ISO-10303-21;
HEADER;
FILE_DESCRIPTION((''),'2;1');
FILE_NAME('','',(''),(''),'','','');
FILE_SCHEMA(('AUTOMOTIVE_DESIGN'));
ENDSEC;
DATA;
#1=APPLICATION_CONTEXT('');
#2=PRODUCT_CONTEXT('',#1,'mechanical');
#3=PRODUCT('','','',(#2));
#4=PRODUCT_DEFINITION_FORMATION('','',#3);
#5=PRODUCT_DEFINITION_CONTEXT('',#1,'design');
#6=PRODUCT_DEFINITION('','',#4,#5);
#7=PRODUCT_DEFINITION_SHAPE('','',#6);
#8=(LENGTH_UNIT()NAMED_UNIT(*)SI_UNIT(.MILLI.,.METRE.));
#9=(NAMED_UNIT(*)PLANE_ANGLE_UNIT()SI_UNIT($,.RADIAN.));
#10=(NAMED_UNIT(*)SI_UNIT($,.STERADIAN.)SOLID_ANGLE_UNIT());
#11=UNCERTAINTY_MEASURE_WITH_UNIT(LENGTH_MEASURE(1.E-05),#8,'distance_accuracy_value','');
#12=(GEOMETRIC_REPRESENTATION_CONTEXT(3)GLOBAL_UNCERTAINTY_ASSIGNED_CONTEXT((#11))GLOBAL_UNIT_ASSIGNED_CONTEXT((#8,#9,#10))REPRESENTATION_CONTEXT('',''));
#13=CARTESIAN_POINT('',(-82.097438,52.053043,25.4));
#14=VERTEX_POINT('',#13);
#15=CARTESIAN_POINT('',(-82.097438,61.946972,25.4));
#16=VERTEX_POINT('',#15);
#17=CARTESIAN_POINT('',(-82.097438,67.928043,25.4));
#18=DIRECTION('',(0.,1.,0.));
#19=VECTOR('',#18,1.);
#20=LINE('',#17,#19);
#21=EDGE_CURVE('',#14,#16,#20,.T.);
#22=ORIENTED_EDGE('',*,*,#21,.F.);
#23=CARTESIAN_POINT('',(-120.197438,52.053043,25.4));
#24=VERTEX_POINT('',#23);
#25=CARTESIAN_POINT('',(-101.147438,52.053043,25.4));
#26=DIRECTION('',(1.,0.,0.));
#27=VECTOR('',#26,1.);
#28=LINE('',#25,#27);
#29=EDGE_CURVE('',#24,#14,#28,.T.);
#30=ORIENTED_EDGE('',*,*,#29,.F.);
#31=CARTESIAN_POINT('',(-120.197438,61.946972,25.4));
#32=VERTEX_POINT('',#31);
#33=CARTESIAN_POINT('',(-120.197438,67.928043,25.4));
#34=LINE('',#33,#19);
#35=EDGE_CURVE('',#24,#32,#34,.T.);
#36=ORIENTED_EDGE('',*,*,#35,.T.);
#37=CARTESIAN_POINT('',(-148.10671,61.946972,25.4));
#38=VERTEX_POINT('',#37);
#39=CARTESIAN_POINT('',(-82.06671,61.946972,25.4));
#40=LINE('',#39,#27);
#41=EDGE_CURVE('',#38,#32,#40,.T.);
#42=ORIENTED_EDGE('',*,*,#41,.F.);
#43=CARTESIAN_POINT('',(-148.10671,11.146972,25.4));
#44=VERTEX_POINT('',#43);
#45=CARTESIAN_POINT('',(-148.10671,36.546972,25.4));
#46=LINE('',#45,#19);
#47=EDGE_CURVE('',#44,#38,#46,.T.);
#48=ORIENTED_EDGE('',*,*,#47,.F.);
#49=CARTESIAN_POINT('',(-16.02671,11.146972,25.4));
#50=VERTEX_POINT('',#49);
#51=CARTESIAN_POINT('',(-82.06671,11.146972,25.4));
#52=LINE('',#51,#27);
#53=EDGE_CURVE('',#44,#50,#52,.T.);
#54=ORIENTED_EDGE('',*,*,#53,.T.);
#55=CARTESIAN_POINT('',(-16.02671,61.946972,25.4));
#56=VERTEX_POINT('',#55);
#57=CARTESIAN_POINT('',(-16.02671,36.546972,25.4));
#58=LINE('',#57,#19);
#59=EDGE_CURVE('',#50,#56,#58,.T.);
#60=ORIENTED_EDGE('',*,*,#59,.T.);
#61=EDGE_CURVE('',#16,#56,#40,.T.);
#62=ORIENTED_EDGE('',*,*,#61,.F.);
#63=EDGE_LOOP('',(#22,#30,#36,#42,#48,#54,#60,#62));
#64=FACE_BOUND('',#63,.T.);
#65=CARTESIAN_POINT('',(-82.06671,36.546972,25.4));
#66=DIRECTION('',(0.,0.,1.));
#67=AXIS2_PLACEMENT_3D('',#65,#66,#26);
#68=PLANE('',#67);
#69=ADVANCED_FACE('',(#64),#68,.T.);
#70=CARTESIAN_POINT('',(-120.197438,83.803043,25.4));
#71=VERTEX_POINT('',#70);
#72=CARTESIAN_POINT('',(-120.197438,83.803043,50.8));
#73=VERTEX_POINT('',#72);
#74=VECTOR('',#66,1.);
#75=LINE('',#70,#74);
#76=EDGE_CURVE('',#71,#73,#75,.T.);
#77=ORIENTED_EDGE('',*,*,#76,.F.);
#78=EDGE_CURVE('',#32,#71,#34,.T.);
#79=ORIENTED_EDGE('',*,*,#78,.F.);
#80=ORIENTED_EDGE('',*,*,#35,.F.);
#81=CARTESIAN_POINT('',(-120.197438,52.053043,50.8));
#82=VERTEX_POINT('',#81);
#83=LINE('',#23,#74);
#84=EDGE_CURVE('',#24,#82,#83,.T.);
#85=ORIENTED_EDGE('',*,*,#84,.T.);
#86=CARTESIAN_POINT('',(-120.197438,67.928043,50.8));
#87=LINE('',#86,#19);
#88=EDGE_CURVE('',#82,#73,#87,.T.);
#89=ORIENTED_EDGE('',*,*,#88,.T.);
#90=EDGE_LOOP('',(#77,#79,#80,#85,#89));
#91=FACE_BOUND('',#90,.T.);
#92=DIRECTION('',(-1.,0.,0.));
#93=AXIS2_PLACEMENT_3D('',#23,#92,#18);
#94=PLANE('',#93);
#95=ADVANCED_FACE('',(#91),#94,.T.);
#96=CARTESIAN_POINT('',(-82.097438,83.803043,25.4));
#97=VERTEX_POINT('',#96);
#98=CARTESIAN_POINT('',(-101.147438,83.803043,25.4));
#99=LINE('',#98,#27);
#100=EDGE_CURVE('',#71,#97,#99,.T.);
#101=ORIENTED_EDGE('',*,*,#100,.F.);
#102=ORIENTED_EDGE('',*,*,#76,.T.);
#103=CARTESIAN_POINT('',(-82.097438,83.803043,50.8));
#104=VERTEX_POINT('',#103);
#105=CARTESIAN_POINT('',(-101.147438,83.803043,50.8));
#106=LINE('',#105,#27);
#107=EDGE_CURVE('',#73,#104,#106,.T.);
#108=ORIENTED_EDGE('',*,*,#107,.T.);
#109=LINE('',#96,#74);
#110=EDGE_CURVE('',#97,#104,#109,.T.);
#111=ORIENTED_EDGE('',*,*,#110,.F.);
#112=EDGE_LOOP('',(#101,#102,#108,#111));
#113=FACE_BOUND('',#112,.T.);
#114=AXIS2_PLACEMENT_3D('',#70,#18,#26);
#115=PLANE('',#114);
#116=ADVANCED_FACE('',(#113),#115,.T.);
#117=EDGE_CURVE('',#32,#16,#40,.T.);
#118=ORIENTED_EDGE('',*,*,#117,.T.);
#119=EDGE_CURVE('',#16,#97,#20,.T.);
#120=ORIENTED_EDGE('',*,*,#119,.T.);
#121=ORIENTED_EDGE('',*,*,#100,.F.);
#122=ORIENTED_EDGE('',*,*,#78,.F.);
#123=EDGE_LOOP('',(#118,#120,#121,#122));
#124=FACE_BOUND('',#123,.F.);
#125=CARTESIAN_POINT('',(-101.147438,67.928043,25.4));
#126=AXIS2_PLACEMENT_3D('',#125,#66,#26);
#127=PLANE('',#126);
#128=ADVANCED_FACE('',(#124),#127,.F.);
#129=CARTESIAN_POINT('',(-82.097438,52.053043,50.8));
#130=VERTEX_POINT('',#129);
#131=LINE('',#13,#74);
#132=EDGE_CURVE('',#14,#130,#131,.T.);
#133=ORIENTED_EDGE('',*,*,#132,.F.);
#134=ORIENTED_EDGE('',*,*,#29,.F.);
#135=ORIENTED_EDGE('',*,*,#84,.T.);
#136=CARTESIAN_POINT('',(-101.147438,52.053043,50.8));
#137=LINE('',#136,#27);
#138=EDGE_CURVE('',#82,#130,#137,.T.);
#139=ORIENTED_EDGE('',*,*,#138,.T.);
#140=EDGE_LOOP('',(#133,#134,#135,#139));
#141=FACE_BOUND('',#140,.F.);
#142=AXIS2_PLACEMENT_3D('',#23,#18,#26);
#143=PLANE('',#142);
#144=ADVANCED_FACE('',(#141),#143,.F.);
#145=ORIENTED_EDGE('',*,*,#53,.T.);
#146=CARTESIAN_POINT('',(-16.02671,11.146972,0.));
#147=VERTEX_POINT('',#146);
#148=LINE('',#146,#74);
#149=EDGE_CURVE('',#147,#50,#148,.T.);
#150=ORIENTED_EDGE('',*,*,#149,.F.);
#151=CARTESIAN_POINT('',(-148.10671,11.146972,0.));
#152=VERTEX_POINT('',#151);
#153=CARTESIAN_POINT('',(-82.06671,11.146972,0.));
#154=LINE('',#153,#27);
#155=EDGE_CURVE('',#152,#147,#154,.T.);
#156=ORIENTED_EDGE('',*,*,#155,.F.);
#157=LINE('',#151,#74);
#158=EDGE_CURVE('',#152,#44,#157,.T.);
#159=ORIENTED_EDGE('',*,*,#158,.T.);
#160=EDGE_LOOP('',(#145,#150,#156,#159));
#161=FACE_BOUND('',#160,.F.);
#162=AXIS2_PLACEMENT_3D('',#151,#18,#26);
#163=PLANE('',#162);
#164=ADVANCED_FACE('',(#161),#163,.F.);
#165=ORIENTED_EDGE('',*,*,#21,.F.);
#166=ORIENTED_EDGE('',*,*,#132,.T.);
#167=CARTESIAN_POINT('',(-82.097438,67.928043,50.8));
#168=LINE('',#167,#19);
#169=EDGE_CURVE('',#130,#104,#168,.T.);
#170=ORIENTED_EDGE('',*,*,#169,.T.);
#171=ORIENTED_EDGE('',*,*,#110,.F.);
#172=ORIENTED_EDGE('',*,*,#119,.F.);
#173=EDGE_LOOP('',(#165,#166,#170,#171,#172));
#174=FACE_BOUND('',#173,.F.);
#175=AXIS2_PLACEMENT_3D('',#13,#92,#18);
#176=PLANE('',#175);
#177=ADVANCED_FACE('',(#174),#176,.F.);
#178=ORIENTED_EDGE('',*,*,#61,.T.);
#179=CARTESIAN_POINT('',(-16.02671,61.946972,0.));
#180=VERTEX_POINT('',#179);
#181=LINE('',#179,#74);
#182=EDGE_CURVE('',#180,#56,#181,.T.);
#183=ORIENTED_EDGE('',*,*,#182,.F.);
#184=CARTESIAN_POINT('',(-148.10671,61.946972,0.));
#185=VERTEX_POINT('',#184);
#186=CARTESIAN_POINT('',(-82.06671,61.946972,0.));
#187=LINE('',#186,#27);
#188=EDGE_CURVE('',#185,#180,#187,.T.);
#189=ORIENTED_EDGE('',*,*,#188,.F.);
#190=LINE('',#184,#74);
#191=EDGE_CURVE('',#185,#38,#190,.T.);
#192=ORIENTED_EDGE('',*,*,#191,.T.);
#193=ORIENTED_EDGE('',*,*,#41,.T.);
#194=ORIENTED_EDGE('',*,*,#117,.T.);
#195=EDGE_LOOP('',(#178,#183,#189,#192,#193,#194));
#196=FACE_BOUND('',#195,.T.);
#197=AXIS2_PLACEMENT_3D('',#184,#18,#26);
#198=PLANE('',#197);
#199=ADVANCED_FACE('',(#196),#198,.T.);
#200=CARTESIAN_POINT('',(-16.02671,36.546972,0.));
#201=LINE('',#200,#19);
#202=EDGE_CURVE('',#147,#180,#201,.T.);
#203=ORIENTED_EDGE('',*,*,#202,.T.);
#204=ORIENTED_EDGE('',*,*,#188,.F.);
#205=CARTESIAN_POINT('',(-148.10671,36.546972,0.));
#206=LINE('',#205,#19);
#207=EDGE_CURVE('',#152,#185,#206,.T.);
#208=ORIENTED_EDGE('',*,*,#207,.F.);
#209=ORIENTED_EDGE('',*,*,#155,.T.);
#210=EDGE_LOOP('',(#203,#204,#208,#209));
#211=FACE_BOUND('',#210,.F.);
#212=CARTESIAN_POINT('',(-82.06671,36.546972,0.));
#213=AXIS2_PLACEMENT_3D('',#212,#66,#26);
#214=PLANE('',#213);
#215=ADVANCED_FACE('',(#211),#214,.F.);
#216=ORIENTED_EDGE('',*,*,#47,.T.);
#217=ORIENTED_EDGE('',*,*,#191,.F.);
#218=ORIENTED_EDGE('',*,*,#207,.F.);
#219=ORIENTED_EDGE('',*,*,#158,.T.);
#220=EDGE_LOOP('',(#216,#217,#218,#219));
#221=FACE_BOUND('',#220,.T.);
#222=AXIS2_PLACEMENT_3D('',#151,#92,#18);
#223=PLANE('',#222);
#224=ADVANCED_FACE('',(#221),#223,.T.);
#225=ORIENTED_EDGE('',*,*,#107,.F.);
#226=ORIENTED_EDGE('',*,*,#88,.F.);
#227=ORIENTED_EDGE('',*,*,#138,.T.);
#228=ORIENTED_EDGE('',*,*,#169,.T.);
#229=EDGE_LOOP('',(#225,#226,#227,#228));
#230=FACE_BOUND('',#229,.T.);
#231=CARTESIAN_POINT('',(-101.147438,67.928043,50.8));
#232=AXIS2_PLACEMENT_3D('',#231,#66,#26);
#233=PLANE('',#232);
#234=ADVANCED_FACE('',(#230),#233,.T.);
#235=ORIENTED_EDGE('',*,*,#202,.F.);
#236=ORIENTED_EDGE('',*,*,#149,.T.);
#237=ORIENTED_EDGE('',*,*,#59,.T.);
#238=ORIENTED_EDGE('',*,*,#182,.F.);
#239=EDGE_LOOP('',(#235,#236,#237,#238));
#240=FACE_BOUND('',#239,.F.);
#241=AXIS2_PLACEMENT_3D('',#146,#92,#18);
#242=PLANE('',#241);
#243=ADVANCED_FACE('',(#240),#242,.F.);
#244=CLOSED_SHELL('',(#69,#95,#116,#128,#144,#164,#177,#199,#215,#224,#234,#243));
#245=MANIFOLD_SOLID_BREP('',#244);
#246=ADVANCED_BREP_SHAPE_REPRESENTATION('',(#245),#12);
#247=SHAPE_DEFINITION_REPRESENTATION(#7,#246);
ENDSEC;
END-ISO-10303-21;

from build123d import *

# Parameters (mm, degrees)
F0_W     = 132.08
F0_H     = 50.8
F1_DEPTH = 25.4
F2_W     = 38.1
F2_H     = 31.75
F3_DEPTH = 25.4
F4_DEPTH = 25.4


with BuildPart() as f1:
    # F0 (on Top) → F1 (new body)
    with BuildSketch(Plane.XY):
        with Locations((-82.06671, 36.546972)):
            Rectangle(F0_W, F0_H)
    extrude(amount=F1_DEPTH)

    # F2 (on face) → F3 (join)
    with BuildSketch(Plane.XY.offset(25.4)):
        with Locations((-101.147438, 67.928043)):
            Rectangle(F2_W, F2_H)
    extrude(amount=F3_DEPTH)

    # F2 (on face) → F4 (join)
    with BuildSketch(Plane.XY.offset(25.4)):
        with Locations((-101.147438, 67.928043)):
            Rectangle(F2_W, F2_H)
    extrude(amount=F4_DEPTH)


solid = f1.part
